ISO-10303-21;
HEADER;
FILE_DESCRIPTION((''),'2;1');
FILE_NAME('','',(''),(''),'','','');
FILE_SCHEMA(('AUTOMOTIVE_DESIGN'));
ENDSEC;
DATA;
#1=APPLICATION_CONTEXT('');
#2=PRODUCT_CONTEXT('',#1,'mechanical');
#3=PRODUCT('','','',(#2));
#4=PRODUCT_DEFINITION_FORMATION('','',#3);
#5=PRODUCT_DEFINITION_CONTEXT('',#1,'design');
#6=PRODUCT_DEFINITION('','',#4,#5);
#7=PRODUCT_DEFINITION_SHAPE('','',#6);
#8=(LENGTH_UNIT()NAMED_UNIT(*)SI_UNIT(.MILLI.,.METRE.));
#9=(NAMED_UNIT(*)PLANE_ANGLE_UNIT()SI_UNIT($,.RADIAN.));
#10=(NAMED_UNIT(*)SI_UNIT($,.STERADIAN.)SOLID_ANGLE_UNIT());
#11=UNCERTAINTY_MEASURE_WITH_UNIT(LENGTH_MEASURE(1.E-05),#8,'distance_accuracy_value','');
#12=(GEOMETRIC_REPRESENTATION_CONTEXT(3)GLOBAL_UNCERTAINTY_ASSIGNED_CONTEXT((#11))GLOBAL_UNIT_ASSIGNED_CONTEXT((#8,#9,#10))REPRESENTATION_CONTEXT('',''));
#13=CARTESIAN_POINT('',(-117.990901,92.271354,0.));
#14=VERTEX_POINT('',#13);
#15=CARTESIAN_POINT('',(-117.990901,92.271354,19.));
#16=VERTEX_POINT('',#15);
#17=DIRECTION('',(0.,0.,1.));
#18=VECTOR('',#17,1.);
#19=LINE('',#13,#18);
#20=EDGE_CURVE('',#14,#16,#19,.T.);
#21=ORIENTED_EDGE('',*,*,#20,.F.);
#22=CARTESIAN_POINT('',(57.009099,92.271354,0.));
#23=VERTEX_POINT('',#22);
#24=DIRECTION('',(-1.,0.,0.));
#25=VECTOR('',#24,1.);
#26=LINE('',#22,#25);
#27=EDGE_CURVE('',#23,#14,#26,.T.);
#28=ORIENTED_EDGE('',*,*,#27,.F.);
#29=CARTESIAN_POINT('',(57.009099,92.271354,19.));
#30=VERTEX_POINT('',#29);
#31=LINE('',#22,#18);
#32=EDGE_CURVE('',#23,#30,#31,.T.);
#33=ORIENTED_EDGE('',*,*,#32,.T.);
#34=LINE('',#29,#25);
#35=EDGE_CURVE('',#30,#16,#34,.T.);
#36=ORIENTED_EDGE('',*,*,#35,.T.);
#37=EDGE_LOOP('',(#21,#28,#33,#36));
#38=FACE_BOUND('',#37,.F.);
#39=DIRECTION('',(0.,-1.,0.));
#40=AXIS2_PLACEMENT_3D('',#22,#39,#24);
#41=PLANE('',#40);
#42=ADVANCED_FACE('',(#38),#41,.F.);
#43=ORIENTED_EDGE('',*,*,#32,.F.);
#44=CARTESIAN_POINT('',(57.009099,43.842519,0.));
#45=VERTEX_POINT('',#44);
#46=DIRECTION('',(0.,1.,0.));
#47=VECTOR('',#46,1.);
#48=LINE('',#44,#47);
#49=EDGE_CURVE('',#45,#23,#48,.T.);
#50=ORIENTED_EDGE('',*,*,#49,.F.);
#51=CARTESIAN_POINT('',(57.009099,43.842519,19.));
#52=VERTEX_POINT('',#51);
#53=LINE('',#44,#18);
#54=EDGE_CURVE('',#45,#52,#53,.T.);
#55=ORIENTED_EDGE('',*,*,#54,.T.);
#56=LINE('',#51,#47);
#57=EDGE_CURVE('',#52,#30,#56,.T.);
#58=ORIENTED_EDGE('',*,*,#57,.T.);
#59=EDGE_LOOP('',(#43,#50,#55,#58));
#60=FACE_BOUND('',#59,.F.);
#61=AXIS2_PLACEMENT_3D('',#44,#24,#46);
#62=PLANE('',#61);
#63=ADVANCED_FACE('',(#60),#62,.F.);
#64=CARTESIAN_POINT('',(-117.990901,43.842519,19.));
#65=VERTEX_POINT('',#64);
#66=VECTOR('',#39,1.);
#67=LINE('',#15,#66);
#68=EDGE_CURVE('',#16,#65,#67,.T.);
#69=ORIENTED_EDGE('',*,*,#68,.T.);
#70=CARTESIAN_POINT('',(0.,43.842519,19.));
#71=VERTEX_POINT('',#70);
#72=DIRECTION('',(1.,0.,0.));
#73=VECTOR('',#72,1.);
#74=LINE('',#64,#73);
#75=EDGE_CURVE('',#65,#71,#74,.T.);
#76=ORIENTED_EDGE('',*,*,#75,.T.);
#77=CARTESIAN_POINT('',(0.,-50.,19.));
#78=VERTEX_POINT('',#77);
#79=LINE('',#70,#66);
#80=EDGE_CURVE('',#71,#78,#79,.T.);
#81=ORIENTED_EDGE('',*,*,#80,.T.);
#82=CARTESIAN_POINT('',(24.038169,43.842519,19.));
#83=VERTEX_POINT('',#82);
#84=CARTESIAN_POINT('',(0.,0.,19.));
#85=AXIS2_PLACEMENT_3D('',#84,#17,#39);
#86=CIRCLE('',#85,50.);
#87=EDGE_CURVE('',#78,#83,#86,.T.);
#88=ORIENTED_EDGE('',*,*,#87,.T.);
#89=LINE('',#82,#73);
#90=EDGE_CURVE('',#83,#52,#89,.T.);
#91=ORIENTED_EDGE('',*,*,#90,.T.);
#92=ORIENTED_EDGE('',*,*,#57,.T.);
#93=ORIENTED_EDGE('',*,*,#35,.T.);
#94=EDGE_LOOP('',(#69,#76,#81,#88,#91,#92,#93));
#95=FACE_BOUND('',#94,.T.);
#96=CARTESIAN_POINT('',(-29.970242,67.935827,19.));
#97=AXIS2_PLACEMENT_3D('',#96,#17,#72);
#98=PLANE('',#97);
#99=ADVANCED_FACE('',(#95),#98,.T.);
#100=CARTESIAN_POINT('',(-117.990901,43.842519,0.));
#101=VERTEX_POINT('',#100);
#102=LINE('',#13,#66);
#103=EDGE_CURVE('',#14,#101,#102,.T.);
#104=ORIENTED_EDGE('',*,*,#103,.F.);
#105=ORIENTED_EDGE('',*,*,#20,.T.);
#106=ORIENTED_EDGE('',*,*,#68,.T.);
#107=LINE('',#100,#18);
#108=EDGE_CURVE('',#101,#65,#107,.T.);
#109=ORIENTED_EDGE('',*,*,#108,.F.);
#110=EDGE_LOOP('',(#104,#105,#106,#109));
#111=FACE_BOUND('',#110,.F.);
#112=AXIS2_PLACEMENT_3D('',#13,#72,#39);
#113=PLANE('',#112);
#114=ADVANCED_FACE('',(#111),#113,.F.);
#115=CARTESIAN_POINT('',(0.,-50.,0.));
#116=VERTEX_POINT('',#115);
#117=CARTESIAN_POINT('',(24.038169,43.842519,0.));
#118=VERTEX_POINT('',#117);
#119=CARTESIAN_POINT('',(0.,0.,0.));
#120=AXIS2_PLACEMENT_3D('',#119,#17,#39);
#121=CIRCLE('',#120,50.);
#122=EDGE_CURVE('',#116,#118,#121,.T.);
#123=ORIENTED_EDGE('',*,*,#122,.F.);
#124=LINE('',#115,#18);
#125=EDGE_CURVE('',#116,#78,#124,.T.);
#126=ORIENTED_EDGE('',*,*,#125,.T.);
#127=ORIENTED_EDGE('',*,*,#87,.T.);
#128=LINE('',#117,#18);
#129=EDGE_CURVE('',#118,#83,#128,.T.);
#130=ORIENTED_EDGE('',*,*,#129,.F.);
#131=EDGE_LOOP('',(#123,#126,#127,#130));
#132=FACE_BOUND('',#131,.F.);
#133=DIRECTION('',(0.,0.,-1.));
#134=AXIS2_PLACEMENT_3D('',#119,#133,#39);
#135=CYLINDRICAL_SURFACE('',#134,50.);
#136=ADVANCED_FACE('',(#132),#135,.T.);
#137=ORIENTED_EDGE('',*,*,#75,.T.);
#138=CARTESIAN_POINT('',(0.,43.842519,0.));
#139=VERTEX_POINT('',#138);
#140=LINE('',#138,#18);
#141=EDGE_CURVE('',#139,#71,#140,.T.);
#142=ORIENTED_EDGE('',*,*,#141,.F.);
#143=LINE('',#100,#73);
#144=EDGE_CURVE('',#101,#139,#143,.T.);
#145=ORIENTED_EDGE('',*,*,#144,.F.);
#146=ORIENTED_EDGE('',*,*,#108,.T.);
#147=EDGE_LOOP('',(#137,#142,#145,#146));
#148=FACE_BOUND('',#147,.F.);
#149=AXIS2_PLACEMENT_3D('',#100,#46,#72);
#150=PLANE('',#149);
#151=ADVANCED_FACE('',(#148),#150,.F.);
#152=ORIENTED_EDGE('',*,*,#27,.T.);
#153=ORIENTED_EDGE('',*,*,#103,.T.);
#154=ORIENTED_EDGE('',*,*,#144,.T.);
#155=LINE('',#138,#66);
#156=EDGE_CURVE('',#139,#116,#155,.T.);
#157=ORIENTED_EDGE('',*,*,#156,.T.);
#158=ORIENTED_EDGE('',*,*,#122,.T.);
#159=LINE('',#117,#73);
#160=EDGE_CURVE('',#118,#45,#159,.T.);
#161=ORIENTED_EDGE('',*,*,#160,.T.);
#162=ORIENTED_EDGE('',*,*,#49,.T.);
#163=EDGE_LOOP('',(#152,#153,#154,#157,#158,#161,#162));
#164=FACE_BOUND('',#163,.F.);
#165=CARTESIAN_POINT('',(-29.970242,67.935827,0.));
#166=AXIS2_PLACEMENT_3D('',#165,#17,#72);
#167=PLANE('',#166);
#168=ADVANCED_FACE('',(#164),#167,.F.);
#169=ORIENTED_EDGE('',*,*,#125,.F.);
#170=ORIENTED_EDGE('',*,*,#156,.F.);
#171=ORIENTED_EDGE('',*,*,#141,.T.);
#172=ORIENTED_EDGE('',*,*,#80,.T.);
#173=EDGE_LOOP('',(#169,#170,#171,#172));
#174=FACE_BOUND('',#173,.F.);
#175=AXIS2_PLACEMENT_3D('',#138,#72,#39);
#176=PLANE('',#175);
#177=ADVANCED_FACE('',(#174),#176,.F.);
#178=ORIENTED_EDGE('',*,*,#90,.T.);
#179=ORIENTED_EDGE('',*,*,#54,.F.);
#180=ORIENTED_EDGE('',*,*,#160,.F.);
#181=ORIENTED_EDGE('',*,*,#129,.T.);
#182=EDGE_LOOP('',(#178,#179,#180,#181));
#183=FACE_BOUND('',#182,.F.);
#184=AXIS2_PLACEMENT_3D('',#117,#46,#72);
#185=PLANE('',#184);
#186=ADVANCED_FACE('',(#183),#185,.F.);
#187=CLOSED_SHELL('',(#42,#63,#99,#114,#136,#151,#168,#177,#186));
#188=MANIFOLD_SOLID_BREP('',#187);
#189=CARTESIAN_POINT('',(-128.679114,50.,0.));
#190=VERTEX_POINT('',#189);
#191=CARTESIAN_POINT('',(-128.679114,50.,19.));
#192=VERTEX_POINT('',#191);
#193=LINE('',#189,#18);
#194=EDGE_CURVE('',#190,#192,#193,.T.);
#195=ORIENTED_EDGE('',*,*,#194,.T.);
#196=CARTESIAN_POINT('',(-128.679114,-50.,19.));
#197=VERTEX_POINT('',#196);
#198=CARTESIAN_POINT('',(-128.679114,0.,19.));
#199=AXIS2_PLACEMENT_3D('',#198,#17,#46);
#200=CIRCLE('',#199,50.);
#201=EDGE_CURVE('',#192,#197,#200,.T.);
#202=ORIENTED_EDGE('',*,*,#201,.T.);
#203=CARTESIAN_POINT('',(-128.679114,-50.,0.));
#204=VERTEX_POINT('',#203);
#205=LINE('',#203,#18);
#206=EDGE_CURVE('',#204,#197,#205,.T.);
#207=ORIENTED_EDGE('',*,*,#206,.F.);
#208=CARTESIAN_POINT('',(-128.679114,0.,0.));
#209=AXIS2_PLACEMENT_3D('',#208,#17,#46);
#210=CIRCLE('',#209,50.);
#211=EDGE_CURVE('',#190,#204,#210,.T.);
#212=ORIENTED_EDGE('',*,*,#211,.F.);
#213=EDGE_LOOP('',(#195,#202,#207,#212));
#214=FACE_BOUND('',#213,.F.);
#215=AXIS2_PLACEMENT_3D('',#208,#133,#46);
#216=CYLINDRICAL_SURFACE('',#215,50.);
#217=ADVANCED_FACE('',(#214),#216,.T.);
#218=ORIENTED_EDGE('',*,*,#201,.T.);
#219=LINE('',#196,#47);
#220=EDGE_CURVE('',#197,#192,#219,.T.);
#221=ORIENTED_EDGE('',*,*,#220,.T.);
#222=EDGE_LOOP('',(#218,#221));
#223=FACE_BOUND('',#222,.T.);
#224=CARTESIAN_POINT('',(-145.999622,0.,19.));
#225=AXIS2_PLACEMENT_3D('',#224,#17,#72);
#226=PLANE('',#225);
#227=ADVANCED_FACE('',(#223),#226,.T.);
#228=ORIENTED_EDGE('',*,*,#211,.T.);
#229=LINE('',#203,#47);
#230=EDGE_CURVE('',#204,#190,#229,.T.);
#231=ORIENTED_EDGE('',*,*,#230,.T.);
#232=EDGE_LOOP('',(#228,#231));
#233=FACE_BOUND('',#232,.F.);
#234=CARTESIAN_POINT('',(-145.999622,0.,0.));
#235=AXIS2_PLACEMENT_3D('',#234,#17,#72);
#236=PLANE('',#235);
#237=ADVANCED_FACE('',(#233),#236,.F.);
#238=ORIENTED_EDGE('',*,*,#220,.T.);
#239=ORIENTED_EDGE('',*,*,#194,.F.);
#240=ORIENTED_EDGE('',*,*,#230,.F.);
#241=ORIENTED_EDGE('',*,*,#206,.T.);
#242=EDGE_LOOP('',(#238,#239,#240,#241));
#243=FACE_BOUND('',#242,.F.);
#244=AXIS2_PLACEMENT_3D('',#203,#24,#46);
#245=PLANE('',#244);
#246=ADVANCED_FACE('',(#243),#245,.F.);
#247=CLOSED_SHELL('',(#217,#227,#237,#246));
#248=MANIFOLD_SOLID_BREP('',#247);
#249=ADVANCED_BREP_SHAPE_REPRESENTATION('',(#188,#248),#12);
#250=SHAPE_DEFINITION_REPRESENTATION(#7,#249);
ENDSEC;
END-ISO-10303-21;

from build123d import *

# Parameters (mm, degrees)
F1_DEPTH = 19


with BuildPart() as f1:
    # F0 (on Top) → F1 (new body)
    with BuildSketch(Plane.XY):
        with BuildLine():
            Line((-128.6791140472, -50), (-128.6791140472, 50))
            ThreePointArc((-128.6791140472, 50), (-178.6791140472, 0), (-128.6791140472, -50))
        make_face()
    extrude(amount=F1_DEPTH)


with BuildPart() as f1b:
    # F0 (on Top) → F1, piece 2 (new body)
    with BuildSketch(Plane.XY):
        with BuildLine():
            ThreePointArc((0, 50), (12.4071363939, 48.4361741522), (24.0381687642, 43.8425186601))
            Line((24.0381687642, 43.8425186601), (57.0090993475, 43.8425186601))
            Line((57.0090993475, 43.8425186601), (57.0090993475, 92.2713543825))
            Line((57.0090993475, 92.2713543825), (-117.9909006525, 92.2713543825))
            Line((-117.9909006525, 92.2713543825), (-117.9909006525, 43.8425186601))
            Line((-117.9909006525, 43.8425186601), (0, 43.8425186601))
            Line((0, 43.8425186601), (0, 50))
        make_face()
        with BuildLine():
            Line((0, 43.8425186601), (0, -50))
            ThreePointArc((0, -50), (48.4361741522, -12.4071363939), (24.0381687642, 43.8425186601))
            Line((24.0381687642, 43.8425186601), (0, 43.8425186601))
        make_face()
        with BuildLine():
            Line((0, 43.8425186601), (24.0381687642, 43.8425186601))
            ThreePointArc((24.0381687642, 43.8425186601), (12.4071363939, 48.4361741522), (0, 50))
            Line((0, 50), (0, 43.8425186601))
        make_face()
    extrude(amount=F1_DEPTH)


solid = Compound([f1.part, f1b.part])
